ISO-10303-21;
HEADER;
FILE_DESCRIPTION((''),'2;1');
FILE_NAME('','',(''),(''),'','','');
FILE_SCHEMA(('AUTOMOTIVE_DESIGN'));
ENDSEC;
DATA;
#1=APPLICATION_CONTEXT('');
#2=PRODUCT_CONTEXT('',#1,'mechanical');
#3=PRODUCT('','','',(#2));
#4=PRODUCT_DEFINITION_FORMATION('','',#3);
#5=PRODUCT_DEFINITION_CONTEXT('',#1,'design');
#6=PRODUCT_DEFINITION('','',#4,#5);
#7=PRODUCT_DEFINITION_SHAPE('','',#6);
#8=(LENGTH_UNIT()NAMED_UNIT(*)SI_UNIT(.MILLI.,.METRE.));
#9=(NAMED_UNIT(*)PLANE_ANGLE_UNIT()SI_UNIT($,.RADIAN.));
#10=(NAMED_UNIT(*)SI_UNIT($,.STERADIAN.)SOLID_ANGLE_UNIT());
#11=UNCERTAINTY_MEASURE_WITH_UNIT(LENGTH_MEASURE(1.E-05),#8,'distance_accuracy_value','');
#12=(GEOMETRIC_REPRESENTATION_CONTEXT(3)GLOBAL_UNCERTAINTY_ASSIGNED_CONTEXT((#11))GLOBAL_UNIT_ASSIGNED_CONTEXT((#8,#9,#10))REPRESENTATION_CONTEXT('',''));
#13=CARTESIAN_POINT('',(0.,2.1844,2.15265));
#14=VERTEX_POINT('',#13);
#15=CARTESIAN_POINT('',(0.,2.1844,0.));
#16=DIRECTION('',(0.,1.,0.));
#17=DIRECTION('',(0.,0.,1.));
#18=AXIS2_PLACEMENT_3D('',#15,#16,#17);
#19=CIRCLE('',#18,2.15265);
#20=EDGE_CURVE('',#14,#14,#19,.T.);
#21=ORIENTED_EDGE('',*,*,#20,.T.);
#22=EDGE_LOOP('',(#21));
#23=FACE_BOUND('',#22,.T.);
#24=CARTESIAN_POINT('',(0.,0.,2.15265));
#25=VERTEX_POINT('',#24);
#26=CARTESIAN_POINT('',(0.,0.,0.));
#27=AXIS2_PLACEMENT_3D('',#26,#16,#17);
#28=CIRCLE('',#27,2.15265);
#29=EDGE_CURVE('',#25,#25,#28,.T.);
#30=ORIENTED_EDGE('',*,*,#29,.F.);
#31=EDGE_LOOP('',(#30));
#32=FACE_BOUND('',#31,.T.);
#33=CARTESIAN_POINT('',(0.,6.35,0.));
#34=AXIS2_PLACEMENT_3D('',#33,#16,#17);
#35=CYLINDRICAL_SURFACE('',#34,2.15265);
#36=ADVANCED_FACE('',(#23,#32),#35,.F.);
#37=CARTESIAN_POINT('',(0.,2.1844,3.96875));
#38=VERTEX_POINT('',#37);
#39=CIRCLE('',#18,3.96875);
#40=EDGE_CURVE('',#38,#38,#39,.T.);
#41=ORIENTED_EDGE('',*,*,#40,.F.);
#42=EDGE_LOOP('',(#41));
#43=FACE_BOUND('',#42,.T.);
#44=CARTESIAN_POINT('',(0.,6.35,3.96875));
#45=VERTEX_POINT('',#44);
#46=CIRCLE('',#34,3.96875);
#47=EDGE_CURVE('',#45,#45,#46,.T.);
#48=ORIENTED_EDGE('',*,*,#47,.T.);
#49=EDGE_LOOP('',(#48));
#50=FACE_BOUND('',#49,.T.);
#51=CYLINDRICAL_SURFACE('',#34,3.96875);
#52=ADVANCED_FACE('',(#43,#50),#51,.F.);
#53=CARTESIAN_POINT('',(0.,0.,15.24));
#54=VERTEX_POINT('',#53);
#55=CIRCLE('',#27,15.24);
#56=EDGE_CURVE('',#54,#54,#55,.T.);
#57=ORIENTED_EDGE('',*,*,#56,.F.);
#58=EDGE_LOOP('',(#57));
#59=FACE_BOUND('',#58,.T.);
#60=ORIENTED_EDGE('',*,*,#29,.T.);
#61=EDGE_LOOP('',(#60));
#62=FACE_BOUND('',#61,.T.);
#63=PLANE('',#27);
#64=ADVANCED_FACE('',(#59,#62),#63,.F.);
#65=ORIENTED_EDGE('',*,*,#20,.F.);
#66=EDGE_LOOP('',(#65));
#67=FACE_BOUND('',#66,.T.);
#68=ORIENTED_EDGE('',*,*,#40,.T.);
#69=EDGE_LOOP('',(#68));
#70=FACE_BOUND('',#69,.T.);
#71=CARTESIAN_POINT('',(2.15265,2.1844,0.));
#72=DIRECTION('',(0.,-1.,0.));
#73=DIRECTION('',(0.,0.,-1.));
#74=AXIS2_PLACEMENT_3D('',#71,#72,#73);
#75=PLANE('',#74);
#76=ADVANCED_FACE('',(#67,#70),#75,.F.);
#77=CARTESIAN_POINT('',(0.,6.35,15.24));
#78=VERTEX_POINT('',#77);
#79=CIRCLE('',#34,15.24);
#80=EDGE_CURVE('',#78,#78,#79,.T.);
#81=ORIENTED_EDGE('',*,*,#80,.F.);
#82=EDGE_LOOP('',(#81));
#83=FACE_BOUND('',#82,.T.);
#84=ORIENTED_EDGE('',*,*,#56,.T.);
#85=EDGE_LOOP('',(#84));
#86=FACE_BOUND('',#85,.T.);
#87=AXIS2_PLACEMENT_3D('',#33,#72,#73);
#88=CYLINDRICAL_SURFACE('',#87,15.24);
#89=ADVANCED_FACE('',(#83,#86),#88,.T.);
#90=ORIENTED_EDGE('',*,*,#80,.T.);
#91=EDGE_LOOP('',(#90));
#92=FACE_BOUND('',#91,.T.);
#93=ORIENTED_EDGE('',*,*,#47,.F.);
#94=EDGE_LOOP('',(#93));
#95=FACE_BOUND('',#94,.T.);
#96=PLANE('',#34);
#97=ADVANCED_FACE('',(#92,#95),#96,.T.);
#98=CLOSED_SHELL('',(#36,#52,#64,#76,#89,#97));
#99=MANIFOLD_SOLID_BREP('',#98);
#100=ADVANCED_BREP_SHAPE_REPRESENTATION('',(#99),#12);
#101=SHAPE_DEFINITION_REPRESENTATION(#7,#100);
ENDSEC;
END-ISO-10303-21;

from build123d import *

# Parameters (mm, degrees)
SKETCH1_R                                      = 15.24
EXTRUDE1_DEPTH                                 = 6.35
CBORE_FOR_8_SOCKET_HEAD_CAP_SCREW1_D           = 4.3053
CBORE_FOR_8_SOCKET_HEAD_CAP_SCREW1_DEPTH       = 6.35
CBORE_FOR_8_SOCKET_HEAD_CAP_SCREW1_CBORE_D     = 7.9375
CBORE_FOR_8_SOCKET_HEAD_CAP_SCREW1_CBORE_DEPTH = 4.1656


with BuildPart() as part:
    # Sketch1 → Extrude1 (new body)
    with BuildSketch(Plane(origin=(0, 0, 0), x_dir=(1, 0, 0), z_dir=(0, 1, 0))):
        with Locations(Location((0, 0, 0), (0, 0, 270))):  # turned: the seam where the file's is
            Circle(SKETCH1_R)
    extrude(amount=EXTRUDE1_DEPTH)

    # CBORE for #8 Socket Head Cap Screw1
    with Locations(Plane.ZX.offset(6.35)):
        with Locations((0, 0)):
            CounterBoreHole(CBORE_FOR_8_SOCKET_HEAD_CAP_SCREW1_D / 2, CBORE_FOR_8_SOCKET_HEAD_CAP_SCREW1_CBORE_D / 2, CBORE_FOR_8_SOCKET_HEAD_CAP_SCREW1_CBORE_DEPTH, depth=CBORE_FOR_8_SOCKET_HEAD_CAP_SCREW1_DEPTH)


solid = part.part
